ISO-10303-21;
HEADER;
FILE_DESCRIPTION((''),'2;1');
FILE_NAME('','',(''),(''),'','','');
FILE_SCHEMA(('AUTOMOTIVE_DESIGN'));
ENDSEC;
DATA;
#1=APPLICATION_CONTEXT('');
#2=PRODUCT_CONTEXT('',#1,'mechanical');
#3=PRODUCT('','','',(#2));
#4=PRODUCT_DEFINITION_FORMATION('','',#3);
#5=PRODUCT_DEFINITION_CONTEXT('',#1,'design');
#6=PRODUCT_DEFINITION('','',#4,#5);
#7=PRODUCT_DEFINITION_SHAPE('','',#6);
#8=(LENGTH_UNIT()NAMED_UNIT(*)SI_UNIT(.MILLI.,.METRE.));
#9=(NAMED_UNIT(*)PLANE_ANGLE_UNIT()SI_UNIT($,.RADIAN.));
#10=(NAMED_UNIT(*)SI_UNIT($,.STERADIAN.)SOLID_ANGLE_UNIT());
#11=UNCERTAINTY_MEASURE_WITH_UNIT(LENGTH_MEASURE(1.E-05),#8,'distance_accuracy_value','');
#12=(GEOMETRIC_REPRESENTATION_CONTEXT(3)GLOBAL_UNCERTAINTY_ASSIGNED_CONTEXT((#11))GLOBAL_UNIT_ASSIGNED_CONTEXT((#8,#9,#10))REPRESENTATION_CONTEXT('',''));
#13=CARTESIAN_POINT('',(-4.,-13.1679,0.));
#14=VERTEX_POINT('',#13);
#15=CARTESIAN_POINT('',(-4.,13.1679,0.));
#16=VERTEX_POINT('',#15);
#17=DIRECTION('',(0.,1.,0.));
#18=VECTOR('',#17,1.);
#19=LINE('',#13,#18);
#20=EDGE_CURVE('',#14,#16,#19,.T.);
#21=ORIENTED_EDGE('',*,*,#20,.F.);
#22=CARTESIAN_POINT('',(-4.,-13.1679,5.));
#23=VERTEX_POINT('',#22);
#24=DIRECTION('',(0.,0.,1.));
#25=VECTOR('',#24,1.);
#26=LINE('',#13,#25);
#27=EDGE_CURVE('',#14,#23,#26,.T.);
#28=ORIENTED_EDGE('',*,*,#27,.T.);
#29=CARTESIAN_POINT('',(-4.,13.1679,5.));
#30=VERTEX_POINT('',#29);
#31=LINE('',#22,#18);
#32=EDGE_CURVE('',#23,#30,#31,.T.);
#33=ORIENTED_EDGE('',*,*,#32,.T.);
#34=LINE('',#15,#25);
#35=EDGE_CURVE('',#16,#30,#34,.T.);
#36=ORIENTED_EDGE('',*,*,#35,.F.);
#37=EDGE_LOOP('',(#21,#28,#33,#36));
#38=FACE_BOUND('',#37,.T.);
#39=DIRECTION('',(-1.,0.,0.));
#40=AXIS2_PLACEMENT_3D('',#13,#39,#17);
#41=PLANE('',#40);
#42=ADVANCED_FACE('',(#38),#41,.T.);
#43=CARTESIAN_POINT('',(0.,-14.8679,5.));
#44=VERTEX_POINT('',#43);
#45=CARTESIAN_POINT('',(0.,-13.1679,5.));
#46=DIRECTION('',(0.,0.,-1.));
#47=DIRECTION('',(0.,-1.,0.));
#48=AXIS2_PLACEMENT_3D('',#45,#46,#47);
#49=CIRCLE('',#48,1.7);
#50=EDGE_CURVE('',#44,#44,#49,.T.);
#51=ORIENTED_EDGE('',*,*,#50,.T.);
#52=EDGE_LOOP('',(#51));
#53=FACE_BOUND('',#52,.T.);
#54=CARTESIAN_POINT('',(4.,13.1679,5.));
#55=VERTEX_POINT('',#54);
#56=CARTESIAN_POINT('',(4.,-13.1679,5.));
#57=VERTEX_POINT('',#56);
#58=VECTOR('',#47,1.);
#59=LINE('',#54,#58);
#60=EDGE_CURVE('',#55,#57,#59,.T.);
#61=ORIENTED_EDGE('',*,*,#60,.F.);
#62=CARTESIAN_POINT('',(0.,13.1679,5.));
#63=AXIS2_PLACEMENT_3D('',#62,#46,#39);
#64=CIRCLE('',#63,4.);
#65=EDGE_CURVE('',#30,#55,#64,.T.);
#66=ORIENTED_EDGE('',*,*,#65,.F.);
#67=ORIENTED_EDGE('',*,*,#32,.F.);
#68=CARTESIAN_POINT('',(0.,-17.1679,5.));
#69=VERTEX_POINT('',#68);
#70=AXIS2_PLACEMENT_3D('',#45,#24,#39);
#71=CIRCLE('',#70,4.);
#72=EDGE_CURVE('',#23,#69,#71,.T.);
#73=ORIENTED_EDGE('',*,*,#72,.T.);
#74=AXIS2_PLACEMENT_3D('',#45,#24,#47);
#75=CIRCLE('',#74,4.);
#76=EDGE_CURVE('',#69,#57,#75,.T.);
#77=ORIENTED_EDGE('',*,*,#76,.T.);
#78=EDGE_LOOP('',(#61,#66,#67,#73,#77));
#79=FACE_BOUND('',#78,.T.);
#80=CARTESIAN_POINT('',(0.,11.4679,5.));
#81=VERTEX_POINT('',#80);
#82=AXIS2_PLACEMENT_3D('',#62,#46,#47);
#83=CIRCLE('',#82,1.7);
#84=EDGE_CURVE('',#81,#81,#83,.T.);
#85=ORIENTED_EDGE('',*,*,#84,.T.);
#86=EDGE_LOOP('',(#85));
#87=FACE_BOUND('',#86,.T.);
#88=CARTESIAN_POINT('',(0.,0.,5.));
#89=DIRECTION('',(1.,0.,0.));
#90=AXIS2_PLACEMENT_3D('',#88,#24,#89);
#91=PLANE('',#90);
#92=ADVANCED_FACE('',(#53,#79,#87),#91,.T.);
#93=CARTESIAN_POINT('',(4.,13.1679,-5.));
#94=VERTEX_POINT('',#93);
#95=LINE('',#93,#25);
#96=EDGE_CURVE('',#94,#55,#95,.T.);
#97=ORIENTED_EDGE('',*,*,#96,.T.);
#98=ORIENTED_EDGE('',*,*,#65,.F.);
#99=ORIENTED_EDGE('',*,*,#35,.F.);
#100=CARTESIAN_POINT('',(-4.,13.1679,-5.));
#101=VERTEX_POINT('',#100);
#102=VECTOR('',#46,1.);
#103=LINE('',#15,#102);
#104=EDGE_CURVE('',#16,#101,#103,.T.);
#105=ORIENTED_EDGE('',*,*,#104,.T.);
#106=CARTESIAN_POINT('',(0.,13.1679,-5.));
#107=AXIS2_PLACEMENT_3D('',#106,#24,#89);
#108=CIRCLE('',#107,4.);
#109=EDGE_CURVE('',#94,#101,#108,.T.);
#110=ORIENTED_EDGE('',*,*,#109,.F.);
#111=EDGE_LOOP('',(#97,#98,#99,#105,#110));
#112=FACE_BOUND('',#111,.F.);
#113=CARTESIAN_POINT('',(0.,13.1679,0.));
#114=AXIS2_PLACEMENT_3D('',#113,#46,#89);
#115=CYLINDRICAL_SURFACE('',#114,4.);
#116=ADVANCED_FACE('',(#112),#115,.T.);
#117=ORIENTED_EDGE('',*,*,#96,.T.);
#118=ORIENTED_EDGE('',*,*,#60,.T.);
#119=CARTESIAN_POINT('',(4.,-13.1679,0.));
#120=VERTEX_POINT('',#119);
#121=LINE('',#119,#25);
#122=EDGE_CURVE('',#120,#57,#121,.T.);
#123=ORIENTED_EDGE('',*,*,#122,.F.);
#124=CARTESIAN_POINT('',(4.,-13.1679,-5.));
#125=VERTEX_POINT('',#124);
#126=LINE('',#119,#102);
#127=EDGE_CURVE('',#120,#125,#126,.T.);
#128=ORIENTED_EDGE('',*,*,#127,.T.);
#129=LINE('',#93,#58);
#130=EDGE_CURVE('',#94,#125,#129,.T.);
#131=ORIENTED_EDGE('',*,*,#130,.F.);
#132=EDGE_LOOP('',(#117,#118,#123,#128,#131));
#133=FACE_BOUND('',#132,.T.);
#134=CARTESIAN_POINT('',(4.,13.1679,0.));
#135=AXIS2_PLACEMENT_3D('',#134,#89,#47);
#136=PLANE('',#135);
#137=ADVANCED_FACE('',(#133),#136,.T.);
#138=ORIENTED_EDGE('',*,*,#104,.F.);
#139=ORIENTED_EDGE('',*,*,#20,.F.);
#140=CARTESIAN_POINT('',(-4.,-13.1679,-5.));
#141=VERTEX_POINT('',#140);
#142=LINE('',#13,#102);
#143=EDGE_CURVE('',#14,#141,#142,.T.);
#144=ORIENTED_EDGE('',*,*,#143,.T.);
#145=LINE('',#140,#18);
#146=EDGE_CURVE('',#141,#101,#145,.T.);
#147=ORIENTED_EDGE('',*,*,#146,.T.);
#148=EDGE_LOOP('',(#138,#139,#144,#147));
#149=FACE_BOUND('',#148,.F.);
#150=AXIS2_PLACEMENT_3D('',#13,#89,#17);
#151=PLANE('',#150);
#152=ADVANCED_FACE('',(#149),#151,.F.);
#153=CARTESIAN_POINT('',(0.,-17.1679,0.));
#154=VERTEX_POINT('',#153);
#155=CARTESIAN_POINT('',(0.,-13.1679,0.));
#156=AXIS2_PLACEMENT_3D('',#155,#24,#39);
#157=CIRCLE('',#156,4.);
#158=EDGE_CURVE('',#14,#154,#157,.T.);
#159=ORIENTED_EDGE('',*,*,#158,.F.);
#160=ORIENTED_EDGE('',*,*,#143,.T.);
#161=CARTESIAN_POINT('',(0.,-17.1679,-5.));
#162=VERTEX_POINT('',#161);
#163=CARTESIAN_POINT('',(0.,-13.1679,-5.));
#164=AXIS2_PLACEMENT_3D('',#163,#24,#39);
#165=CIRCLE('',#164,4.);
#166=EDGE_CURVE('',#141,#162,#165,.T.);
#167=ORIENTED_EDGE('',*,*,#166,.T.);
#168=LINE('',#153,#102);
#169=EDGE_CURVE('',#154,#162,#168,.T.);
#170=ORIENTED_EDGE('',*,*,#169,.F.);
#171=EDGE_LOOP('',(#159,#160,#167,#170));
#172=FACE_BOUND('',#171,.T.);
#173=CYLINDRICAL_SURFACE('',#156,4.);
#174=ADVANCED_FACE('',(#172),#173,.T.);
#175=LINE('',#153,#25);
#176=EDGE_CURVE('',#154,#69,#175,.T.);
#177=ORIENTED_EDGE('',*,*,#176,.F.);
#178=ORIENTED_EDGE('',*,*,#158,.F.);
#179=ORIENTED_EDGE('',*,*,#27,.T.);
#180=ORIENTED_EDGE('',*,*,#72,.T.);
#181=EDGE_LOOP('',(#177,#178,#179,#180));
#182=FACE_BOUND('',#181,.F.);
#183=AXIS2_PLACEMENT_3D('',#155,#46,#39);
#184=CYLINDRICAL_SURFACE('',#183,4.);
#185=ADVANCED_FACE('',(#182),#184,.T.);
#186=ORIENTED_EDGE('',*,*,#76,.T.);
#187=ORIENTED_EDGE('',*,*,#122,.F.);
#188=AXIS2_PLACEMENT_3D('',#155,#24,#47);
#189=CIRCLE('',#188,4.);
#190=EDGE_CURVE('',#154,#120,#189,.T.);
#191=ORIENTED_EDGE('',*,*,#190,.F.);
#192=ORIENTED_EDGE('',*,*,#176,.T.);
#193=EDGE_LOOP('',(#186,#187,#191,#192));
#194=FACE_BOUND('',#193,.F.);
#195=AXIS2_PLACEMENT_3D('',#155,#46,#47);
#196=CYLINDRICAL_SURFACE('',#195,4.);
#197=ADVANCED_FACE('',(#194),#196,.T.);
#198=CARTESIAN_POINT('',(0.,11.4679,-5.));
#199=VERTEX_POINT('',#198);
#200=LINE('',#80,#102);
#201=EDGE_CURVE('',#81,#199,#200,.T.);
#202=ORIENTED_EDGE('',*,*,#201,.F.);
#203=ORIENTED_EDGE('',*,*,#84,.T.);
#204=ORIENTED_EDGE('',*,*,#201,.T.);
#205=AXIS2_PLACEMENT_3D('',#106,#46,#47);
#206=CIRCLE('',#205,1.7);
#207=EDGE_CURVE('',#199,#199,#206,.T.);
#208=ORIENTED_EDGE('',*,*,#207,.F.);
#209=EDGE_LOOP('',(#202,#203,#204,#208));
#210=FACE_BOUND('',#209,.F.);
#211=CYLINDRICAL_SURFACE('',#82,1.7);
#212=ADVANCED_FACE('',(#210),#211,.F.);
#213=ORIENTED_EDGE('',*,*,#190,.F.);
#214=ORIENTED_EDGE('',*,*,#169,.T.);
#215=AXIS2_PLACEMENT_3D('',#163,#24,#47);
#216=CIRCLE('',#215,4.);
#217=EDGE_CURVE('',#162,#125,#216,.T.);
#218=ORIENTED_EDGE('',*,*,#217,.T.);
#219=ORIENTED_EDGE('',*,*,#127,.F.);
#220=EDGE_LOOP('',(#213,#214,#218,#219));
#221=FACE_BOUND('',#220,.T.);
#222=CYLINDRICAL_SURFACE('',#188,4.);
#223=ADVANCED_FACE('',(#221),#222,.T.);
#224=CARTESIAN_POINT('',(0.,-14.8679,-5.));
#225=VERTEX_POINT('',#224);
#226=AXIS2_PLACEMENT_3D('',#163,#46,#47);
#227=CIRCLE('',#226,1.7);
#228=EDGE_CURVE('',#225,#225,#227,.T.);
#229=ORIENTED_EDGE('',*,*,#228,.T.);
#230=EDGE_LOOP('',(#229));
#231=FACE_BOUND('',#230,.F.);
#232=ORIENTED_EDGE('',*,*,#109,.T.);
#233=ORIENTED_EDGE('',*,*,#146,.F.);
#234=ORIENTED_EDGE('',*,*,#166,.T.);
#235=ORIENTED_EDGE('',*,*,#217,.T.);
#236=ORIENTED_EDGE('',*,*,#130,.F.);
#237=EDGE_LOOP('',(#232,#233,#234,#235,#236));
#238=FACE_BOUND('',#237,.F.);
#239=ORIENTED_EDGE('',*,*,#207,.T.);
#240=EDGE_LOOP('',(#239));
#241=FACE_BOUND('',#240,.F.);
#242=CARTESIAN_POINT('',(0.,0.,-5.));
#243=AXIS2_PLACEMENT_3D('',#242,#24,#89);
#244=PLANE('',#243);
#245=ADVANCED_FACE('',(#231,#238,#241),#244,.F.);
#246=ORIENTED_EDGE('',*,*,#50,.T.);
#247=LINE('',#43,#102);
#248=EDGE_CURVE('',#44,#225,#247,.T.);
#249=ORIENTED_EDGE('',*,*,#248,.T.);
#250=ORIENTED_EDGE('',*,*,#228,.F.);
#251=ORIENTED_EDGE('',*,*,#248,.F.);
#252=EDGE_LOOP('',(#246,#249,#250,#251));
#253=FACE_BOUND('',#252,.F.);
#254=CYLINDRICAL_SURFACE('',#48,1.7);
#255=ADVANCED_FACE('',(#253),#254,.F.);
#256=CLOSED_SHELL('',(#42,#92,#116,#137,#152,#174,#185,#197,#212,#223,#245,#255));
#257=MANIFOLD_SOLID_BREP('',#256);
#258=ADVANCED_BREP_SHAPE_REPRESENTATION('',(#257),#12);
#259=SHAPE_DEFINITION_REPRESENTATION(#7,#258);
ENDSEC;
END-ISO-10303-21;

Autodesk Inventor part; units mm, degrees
ref_plane "YZ Plane" through (0, 0, 0) normal (1, 0, 0) x (0, 1, 0)
ref_plane "XZ Plane" through (0, 0, 0) normal (0, 1, 0) x (-1, 0, 0)
ref_plane "XY Plane" through (0, 0, 0) normal (0, 0, 1) x (1, 0, 0)
sketch "Sketch1" plane through (0, 0, 0) normal (0, 0, 1) x (1, 0, 0)
  line L0 (0, 17.1679) -> (0, 17.1679)
  line L1 (4, 13.1679) -> (4, -13.1679)
  line L2 (0, -17.1679) -> (0, -17.1679)
  line L3 (-4, -13.1679) -> (-4, 13.1679)
  line L4 (-4, 17.1679) -> (0, 17.1679) construction
  line L5 (0, 17.1679) -> (0, 0) construction
  line L6 (0, 0) -> (-4, 0) construction
  line L7 (-4, 0) -> (-4, 17.1679) construction
  arc A0 (4, 13.1679) -> (0, 17.1679) centre (0, 13.1679) ccw
  arc A1 (0, 17.1679) -> (-4, 13.1679) centre (0, 13.1679) ccw
  arc A2 (-4, -13.1679) -> (0, -17.1679) centre (0, -13.1679) ccw
  arc A3 (0, -17.1679) -> (4, -13.1679) centre (0, -13.1679) ccw
  dimension "d0" = 4
  dimension "d6" = 26.3358
extrude "Extrusion1" add sketch "Sketch1" along normal mid plane 10
sketch "Sketch2" plane through (0, 0, 5) normal (0, 0, 1) x (1, 0, 0)
  arc A0 (4, 13.1679) -> (-4, 13.1679) centre (0, 13.1679) ccw construction
  arc A1 (-4, -13.1679) -> (4, -13.1679) centre (0, -13.1679) ccw construction
  point P0 (0, 0)
hole "Hole1" at (0, 13.1679, 5) at (0, -13.1679, 5) direction (0, 0, -1) diameter 3.4 end through all clearance for "Socket Head Cap Screw" size "M3" standard "Ansi Metric M Profile"
equation "\"d6\" = LengthF"
equation "\"LengthF\" = 26.335787"
properties part number "F"
